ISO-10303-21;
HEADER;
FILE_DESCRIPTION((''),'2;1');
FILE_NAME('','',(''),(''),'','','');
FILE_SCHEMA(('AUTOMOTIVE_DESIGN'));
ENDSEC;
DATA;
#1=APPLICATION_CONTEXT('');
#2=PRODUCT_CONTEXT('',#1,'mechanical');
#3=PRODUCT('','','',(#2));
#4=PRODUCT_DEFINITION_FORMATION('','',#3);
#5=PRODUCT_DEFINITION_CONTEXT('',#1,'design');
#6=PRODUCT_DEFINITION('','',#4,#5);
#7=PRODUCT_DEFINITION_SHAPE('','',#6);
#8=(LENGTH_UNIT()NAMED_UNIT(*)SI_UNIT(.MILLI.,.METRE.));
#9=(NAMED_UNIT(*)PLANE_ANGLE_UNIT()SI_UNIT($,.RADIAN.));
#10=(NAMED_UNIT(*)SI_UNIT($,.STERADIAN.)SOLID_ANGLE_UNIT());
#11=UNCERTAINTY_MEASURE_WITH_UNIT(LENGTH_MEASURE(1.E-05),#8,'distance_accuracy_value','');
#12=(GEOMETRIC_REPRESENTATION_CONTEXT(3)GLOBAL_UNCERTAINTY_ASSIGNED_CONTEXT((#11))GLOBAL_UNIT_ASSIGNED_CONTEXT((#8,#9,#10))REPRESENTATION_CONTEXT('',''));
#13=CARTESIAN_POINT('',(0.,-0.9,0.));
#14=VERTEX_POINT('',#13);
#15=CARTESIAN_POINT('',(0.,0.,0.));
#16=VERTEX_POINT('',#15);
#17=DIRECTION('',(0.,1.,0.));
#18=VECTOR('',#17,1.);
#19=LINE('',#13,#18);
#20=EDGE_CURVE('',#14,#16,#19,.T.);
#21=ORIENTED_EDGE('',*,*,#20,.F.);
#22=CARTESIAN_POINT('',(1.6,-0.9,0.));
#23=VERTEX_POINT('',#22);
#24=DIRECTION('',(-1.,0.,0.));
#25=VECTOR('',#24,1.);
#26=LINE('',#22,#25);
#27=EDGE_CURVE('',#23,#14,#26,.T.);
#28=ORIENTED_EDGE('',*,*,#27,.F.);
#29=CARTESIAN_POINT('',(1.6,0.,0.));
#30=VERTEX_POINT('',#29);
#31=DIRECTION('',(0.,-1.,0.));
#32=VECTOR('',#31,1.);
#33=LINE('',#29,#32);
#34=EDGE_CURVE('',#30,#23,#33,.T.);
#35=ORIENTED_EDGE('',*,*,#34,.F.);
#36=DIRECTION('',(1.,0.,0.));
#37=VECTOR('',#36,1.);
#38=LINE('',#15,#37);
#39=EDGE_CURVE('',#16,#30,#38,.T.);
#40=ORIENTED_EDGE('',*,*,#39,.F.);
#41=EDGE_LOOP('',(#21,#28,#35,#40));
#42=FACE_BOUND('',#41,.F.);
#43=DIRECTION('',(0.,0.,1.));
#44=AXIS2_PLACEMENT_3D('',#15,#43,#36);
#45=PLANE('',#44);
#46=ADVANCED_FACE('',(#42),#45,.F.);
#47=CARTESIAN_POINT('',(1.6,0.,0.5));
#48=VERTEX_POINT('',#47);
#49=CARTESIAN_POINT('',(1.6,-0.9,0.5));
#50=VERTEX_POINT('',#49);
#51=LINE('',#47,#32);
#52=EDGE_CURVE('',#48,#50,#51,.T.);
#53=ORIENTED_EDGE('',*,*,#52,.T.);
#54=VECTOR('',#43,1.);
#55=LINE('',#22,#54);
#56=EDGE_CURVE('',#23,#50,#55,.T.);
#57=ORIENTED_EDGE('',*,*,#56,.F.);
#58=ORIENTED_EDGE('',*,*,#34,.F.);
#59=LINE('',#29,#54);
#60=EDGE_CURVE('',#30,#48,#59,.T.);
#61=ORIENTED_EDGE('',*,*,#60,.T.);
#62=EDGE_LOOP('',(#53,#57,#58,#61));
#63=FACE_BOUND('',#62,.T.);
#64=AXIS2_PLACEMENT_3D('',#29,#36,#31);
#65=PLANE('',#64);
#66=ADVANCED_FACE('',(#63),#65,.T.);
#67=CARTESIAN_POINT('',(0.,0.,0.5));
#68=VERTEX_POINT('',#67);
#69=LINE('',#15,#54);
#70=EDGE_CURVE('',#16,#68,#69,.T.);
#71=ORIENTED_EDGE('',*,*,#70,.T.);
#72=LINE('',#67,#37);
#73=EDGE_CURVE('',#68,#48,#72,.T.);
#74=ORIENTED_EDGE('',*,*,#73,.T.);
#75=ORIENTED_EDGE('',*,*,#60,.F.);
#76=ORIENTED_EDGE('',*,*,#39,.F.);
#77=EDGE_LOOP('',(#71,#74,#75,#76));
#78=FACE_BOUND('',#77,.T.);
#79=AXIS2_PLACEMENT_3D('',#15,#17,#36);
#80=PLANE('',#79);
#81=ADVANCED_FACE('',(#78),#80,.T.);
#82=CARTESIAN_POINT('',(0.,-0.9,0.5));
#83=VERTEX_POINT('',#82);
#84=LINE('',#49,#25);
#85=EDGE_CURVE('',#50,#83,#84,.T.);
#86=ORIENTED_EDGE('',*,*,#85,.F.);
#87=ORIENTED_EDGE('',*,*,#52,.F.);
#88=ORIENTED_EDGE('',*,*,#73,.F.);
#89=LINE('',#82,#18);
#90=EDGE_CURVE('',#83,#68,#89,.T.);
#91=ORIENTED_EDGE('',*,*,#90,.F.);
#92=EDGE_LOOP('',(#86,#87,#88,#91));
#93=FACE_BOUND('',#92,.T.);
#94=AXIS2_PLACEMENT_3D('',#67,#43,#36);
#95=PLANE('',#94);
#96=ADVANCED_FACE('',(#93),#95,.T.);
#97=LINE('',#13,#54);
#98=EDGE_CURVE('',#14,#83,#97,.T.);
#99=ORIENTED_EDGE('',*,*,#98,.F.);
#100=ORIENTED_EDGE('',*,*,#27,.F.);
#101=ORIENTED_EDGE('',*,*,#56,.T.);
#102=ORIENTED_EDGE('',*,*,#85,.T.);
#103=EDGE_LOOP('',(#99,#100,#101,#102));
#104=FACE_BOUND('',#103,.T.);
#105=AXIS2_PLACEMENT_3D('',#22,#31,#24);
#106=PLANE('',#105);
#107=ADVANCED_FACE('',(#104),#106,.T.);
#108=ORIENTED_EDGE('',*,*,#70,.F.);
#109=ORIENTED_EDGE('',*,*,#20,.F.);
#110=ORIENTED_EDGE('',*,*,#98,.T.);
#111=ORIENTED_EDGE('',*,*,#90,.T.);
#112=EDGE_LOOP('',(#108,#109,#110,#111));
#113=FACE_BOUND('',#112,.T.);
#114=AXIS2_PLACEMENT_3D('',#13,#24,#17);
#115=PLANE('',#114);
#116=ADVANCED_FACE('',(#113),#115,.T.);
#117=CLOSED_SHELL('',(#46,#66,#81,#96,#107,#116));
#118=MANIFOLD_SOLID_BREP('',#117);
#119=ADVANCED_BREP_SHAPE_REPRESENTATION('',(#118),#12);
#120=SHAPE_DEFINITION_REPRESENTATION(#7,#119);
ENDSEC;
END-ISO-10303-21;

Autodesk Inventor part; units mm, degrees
ref_plane "YZ Plane" through (0, 0, 0) normal (1, 0, 0) x (0, 1, 0)
ref_plane "XZ Plane" through (0, 0, 0) normal (0, 1, 0) x (-1, 0, 0)
ref_plane "XY Plane" through (0, 0, 0) normal (0, 0, 1) x (1, 0, 0)
sketch "Skizze1" plane through (0, 0, 0) normal (0, 0, 1) x (1, 0, 0)
  line L0 (0, 0) -> (1.6, 0)
  line L1 (1.6, 0) -> (1.6, -0.9)
  line L2 (1.6, -0.9) -> (0, -0.9)
  line L3 (0, -0.9) -> (0, 0)
  dimension "d0" = 0.9
  dimension "d1" = 1.6
extrude "Extrusion1" add sketch "Skizze1" along normal blind 0.5
properties part number "Widerstand 0603"
